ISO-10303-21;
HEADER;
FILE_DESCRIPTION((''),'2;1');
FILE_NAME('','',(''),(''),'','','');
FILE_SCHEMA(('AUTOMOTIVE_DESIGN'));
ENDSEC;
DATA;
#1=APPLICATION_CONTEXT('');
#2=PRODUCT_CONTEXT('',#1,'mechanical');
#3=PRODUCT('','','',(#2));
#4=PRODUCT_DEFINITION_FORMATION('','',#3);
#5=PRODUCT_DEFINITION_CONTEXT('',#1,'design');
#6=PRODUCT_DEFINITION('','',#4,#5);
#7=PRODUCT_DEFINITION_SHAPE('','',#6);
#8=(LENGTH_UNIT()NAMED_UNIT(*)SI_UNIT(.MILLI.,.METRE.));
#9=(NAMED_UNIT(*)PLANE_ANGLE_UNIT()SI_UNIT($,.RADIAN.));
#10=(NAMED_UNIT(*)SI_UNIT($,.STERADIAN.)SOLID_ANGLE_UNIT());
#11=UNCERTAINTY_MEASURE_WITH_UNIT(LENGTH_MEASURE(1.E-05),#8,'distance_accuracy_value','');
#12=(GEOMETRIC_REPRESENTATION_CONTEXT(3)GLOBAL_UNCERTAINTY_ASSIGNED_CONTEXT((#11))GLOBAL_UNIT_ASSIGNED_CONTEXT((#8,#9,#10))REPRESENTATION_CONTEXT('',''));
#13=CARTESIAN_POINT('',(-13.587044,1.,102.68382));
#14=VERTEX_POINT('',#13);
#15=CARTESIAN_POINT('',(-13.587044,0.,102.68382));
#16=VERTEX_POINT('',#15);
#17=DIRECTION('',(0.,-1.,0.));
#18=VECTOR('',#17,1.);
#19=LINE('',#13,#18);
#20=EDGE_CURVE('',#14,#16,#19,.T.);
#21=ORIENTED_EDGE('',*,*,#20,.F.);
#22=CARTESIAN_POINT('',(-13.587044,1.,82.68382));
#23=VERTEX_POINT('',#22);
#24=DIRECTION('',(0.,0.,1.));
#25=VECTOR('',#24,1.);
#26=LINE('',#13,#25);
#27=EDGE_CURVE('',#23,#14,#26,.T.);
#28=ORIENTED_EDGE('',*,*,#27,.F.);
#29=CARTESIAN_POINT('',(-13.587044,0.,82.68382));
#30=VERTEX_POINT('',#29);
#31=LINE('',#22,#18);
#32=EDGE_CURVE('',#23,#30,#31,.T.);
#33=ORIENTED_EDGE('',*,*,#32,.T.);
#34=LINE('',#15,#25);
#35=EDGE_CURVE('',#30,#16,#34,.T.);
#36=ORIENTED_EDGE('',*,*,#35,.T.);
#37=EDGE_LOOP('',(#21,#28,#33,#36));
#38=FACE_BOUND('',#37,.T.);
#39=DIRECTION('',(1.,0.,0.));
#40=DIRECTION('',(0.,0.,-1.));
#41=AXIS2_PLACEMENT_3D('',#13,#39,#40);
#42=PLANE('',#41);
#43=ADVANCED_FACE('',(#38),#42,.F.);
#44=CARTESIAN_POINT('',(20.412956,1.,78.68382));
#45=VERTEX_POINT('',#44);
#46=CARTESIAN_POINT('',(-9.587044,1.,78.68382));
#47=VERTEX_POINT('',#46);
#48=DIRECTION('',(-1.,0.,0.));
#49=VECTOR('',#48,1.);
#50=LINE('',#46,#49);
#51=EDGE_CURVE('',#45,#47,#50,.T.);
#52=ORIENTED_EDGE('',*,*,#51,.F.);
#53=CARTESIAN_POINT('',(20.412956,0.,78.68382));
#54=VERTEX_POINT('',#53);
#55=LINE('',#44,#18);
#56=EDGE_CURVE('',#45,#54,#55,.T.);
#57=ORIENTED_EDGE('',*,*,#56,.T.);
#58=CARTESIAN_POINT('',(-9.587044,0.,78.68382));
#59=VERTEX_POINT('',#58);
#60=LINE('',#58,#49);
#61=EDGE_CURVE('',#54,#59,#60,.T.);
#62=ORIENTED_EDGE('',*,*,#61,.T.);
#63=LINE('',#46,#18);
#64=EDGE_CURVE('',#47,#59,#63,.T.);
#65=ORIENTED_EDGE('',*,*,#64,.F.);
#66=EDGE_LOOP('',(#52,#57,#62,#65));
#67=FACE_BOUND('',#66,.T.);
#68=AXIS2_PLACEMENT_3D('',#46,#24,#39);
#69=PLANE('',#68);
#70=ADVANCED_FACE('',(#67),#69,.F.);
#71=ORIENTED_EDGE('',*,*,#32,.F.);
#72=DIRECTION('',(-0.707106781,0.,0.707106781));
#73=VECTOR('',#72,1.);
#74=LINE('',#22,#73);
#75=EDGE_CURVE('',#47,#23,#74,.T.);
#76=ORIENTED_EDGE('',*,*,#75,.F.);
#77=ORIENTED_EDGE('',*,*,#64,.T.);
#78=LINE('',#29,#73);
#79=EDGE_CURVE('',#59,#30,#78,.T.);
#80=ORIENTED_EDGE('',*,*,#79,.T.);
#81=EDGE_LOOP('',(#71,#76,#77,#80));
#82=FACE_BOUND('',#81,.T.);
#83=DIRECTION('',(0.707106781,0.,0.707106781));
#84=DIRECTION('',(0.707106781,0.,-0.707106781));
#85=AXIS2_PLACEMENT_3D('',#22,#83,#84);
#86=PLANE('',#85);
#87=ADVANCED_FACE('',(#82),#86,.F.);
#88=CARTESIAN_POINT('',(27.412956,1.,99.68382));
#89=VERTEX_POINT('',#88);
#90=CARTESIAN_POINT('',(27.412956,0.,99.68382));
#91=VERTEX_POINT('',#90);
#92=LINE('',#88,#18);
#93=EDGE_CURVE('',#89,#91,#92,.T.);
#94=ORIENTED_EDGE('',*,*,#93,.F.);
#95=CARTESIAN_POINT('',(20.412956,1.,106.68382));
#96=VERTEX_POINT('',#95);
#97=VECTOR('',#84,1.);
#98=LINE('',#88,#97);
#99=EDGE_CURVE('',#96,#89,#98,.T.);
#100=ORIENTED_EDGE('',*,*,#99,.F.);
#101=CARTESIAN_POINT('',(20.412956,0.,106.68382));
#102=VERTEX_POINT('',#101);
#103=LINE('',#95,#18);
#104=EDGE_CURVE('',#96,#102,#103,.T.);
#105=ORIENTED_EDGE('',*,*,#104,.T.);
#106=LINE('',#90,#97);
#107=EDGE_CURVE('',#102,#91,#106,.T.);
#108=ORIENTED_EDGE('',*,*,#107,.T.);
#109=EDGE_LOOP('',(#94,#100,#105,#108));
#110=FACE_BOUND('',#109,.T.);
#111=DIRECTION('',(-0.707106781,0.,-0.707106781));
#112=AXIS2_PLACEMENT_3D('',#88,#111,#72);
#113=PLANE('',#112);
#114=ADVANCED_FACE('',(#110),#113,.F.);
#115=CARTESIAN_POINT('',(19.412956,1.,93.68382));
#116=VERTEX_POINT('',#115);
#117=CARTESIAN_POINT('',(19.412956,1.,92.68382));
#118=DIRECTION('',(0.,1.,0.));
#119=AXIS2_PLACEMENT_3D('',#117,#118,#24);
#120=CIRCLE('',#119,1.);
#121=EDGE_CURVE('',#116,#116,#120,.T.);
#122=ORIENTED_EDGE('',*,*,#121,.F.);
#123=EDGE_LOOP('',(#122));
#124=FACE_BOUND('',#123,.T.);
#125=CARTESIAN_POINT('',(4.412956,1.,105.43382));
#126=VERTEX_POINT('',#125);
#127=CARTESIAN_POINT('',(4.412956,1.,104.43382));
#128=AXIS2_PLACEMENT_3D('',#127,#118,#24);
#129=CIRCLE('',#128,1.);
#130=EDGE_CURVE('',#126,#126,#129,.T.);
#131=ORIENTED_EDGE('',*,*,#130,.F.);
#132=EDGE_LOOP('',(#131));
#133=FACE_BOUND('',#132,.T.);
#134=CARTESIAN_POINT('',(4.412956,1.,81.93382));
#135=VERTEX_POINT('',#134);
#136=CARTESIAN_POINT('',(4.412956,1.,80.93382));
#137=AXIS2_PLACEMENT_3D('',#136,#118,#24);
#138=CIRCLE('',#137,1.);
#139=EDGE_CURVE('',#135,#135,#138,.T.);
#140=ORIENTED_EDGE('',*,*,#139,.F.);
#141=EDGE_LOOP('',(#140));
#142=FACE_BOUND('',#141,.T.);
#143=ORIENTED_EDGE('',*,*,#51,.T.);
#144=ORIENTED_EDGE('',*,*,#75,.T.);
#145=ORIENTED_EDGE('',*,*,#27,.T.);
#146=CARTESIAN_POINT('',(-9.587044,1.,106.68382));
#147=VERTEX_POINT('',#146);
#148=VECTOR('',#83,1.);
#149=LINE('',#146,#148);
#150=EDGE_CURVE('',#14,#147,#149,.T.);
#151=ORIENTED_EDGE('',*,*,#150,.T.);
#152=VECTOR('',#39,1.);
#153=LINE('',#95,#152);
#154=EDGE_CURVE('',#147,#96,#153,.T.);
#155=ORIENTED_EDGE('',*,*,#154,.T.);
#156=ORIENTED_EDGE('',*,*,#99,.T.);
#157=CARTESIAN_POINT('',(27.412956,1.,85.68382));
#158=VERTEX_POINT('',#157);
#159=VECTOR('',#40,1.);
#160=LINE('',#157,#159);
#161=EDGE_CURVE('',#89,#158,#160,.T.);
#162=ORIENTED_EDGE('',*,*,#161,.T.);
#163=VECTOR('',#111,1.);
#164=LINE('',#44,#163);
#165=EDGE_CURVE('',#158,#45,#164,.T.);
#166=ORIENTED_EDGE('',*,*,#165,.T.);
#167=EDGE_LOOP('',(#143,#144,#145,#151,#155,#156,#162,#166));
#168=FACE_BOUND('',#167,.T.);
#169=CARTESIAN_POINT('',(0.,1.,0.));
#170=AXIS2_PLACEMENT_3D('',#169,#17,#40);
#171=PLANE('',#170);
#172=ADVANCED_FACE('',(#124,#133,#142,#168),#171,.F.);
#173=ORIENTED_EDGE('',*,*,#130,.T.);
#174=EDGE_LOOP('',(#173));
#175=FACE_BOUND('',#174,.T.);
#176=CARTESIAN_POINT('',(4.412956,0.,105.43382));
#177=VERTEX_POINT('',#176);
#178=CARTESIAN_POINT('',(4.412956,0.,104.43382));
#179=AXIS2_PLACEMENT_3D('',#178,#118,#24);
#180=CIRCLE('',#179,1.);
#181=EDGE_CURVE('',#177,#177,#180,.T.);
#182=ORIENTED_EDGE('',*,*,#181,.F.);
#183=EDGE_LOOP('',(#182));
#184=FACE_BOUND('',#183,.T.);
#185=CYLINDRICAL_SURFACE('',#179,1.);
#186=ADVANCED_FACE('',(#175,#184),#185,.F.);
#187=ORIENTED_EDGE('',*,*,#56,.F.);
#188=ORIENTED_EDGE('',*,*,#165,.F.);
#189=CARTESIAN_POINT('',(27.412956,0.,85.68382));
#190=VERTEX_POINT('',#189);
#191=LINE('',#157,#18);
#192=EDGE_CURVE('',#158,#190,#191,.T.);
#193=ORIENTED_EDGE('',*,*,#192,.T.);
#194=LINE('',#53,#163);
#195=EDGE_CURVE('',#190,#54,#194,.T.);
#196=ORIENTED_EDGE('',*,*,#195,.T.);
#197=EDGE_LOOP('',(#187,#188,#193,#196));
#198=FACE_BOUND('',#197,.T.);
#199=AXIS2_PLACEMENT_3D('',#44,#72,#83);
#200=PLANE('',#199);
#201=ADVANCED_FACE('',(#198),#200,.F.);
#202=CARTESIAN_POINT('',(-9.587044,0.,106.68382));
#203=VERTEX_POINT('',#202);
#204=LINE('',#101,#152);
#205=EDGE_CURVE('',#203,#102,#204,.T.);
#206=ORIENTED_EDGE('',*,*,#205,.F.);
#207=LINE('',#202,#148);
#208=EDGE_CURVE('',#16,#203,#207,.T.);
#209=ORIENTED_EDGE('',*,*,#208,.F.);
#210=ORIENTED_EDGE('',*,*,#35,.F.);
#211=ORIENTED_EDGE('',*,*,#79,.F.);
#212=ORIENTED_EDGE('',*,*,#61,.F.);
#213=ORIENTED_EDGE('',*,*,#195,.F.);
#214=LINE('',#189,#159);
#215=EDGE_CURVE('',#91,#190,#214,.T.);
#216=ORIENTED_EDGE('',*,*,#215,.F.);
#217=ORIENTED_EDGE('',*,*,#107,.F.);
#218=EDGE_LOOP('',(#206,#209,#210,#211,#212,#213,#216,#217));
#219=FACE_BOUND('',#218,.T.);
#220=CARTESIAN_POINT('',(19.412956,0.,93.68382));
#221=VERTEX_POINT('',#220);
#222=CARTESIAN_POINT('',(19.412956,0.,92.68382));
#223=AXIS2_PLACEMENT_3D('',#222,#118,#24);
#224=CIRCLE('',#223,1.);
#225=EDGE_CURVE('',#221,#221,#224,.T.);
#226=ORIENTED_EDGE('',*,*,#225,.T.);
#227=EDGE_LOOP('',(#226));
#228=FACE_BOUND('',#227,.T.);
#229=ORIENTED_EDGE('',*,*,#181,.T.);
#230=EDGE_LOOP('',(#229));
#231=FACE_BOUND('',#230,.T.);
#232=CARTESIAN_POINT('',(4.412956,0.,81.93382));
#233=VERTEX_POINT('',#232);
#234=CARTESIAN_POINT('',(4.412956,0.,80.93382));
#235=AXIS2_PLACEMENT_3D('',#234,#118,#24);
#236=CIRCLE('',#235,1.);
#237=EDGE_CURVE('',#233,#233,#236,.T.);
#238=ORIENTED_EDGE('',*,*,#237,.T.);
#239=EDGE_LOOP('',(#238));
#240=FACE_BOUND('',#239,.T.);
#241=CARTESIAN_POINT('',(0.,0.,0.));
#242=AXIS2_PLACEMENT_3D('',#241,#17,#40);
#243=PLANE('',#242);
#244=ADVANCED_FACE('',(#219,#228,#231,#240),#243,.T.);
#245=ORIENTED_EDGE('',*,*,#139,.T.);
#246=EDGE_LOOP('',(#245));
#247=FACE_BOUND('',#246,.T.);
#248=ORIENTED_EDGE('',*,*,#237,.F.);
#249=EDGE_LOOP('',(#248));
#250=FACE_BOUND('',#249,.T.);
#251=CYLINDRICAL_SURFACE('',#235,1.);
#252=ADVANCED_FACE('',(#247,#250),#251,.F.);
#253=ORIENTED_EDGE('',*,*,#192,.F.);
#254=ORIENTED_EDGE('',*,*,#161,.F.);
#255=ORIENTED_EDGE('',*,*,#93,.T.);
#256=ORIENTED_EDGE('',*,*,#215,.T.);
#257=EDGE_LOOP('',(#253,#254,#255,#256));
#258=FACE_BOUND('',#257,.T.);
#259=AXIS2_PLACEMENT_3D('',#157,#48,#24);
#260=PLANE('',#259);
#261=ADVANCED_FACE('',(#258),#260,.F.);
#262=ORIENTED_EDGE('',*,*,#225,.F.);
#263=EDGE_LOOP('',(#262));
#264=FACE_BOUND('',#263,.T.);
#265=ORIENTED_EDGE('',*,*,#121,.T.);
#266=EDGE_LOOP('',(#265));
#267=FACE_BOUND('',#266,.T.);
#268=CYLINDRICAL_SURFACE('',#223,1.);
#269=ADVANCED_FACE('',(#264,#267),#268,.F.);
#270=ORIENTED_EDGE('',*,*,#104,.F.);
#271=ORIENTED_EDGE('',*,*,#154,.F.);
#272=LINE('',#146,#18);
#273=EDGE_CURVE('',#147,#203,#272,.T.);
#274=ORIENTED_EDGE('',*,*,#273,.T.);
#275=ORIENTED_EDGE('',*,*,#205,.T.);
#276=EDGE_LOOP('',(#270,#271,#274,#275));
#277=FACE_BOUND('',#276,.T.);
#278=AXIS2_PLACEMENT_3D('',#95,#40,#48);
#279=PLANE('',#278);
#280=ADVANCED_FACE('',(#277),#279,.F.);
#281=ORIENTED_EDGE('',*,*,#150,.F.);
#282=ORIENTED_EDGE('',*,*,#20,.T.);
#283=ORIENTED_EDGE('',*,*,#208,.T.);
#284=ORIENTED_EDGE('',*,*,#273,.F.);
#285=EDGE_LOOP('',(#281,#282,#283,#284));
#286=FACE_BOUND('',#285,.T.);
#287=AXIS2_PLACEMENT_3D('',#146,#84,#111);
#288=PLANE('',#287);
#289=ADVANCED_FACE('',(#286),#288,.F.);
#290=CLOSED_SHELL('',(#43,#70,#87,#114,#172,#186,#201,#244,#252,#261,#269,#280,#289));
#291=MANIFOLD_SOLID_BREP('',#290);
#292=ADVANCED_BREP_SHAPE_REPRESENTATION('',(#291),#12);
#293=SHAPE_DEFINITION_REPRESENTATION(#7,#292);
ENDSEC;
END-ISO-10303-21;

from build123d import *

# Parameters (mm, degrees)
BOSS_EXTRUDE1_DEPTH = 1
SKETCH2_R           = 1
CUT_EXTRUDE1_DEPTH  = 1
SKETCH4_R           = 1
CUT_EXTRUDE2_DEPTH  = 1


with BuildPart() as part:
    # Sketch1 → Boss-Extrude1 (new body)
    with BuildSketch(Plane(origin=(0, 0, 0), x_dir=(1, 0, 0), z_dir=(0, 1, 0))):
        Polygon((-13.58704372, -102.683820402), (-13.58704372, -82.683820402), (-9.58704372, -78.683820402), (20.41295628, -78.683820402), (27.41295628, -85.683820402), (27.41295628, -99.683820402), (20.41295628, -106.683820402), (-9.58704372, -106.683820402), align=None)
    extrude(amount=BOSS_EXTRUDE1_DEPTH)

    # Sketch2 → Cut-Extrude1 (cut)
    with BuildSketch(Plane(origin=(0, 1, 0), x_dir=(1, 0, 0), z_dir=(0, 1, 0))):
        with Locations(Location((19.41295628, -92.683820402, 0), (0, 0, 270))):
            Circle(SKETCH2_R)
    extrude(amount=-CUT_EXTRUDE1_DEPTH, mode=Mode.SUBTRACT)

    # Sketch4 → Cut-Extrude2 (cut)
    with BuildSketch(Plane(origin=(0, 1, 0), x_dir=(1, 0, 0), z_dir=(0, 1, 0))):
        with Locations(Location((4.41295628, -104.433820402, 0), (0, 0, 270))):
            Circle(SKETCH4_R)
        with Locations(Location((4.41295628, -80.933820402, 0), (0, 0, 270))):
            Circle(SKETCH4_R)
    extrude(amount=-CUT_EXTRUDE2_DEPTH, mode=Mode.SUBTRACT)


solid = part.part
